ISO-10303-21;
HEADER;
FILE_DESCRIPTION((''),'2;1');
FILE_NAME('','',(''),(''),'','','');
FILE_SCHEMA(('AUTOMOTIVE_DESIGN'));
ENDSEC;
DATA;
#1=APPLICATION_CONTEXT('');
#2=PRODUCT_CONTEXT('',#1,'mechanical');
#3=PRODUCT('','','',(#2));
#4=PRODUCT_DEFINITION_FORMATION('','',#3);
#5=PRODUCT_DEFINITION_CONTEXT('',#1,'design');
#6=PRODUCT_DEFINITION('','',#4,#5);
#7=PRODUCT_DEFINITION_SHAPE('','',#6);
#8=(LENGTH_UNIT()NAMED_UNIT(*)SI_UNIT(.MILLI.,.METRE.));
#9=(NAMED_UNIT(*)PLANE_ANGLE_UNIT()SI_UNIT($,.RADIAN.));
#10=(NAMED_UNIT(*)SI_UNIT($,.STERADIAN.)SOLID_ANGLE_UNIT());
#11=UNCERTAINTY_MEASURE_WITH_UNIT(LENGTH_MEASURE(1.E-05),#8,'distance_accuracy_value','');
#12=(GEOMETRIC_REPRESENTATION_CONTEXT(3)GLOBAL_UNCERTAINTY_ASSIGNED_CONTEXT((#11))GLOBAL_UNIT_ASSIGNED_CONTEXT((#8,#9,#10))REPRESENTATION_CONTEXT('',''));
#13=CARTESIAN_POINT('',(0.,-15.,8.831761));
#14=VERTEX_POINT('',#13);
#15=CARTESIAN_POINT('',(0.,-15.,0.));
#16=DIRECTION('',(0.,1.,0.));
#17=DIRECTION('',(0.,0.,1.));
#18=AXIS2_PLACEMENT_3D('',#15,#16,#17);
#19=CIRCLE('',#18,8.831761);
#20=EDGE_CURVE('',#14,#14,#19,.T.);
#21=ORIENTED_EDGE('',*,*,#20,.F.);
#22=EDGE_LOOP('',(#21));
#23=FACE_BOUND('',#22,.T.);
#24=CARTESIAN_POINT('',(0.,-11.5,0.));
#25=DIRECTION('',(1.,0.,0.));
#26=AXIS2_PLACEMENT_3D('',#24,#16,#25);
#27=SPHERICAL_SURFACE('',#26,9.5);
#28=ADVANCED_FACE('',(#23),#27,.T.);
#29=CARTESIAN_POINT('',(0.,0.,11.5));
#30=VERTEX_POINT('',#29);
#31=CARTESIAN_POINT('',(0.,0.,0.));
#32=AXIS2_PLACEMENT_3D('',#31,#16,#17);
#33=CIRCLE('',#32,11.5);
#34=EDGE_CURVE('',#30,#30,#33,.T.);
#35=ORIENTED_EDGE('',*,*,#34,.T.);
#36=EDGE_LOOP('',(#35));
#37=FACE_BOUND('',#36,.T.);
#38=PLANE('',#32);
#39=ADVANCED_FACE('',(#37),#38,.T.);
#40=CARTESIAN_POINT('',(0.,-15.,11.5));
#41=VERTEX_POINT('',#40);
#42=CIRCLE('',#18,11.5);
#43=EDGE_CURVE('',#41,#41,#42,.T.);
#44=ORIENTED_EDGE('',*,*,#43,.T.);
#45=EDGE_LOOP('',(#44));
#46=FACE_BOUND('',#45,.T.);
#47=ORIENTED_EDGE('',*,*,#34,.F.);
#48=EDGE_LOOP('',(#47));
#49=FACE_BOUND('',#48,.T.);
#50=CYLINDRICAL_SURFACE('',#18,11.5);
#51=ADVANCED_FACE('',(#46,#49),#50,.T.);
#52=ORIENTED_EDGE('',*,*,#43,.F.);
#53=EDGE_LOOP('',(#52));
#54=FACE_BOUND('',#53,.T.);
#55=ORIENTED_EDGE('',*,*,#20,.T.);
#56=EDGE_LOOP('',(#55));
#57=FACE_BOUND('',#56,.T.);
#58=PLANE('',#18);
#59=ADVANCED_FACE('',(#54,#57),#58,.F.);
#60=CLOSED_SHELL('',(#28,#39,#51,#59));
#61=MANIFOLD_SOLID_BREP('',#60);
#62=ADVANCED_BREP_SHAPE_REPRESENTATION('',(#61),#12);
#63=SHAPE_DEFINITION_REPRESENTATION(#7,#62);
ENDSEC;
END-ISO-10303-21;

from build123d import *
from build123d.topology import SkipClean

# Parameters (mm, degrees)
SKIZZE3_R         = 11.5
CASTOR_BASE_DEPTH = 15


with BuildPart() as part:
    # Skizze3 → Castor Base (new body)
    with BuildSketch(Plane(origin=(0, 0, 0), x_dir=(1, 0, 0), z_dir=(0, 1, 0))):
        with Locations(Location((0, 0, 0), (0, 0, 270))):
            Circle(SKIZZE3_R)
    extrude(amount=-CASTOR_BASE_DEPTH)

    # Skizze4 → Castor Ball (revolve)
    with SkipClean():  # the faces are left unmerged after this step: merging them gives an invalid solid
        with BuildSketch(Plane.XY):
            with BuildLine():
                ThreePointArc((9.5, -11.5), (6.717514421, -4.782485579), (0, -2))
                Line((0, -2), (0, -21))
                ThreePointArc((0, -21), (6.717514421, -18.217514421), (9.5, -11.5))
            make_face()
            with BuildLine():
                Line((0, -21), (0, -2))
                ThreePointArc((0, -2), (-9.5, -11.5), (0, -21))
            make_face()
        revolve(axis=Axis((0, -2, 0), (0, -1, 0)))


solid = part.part
